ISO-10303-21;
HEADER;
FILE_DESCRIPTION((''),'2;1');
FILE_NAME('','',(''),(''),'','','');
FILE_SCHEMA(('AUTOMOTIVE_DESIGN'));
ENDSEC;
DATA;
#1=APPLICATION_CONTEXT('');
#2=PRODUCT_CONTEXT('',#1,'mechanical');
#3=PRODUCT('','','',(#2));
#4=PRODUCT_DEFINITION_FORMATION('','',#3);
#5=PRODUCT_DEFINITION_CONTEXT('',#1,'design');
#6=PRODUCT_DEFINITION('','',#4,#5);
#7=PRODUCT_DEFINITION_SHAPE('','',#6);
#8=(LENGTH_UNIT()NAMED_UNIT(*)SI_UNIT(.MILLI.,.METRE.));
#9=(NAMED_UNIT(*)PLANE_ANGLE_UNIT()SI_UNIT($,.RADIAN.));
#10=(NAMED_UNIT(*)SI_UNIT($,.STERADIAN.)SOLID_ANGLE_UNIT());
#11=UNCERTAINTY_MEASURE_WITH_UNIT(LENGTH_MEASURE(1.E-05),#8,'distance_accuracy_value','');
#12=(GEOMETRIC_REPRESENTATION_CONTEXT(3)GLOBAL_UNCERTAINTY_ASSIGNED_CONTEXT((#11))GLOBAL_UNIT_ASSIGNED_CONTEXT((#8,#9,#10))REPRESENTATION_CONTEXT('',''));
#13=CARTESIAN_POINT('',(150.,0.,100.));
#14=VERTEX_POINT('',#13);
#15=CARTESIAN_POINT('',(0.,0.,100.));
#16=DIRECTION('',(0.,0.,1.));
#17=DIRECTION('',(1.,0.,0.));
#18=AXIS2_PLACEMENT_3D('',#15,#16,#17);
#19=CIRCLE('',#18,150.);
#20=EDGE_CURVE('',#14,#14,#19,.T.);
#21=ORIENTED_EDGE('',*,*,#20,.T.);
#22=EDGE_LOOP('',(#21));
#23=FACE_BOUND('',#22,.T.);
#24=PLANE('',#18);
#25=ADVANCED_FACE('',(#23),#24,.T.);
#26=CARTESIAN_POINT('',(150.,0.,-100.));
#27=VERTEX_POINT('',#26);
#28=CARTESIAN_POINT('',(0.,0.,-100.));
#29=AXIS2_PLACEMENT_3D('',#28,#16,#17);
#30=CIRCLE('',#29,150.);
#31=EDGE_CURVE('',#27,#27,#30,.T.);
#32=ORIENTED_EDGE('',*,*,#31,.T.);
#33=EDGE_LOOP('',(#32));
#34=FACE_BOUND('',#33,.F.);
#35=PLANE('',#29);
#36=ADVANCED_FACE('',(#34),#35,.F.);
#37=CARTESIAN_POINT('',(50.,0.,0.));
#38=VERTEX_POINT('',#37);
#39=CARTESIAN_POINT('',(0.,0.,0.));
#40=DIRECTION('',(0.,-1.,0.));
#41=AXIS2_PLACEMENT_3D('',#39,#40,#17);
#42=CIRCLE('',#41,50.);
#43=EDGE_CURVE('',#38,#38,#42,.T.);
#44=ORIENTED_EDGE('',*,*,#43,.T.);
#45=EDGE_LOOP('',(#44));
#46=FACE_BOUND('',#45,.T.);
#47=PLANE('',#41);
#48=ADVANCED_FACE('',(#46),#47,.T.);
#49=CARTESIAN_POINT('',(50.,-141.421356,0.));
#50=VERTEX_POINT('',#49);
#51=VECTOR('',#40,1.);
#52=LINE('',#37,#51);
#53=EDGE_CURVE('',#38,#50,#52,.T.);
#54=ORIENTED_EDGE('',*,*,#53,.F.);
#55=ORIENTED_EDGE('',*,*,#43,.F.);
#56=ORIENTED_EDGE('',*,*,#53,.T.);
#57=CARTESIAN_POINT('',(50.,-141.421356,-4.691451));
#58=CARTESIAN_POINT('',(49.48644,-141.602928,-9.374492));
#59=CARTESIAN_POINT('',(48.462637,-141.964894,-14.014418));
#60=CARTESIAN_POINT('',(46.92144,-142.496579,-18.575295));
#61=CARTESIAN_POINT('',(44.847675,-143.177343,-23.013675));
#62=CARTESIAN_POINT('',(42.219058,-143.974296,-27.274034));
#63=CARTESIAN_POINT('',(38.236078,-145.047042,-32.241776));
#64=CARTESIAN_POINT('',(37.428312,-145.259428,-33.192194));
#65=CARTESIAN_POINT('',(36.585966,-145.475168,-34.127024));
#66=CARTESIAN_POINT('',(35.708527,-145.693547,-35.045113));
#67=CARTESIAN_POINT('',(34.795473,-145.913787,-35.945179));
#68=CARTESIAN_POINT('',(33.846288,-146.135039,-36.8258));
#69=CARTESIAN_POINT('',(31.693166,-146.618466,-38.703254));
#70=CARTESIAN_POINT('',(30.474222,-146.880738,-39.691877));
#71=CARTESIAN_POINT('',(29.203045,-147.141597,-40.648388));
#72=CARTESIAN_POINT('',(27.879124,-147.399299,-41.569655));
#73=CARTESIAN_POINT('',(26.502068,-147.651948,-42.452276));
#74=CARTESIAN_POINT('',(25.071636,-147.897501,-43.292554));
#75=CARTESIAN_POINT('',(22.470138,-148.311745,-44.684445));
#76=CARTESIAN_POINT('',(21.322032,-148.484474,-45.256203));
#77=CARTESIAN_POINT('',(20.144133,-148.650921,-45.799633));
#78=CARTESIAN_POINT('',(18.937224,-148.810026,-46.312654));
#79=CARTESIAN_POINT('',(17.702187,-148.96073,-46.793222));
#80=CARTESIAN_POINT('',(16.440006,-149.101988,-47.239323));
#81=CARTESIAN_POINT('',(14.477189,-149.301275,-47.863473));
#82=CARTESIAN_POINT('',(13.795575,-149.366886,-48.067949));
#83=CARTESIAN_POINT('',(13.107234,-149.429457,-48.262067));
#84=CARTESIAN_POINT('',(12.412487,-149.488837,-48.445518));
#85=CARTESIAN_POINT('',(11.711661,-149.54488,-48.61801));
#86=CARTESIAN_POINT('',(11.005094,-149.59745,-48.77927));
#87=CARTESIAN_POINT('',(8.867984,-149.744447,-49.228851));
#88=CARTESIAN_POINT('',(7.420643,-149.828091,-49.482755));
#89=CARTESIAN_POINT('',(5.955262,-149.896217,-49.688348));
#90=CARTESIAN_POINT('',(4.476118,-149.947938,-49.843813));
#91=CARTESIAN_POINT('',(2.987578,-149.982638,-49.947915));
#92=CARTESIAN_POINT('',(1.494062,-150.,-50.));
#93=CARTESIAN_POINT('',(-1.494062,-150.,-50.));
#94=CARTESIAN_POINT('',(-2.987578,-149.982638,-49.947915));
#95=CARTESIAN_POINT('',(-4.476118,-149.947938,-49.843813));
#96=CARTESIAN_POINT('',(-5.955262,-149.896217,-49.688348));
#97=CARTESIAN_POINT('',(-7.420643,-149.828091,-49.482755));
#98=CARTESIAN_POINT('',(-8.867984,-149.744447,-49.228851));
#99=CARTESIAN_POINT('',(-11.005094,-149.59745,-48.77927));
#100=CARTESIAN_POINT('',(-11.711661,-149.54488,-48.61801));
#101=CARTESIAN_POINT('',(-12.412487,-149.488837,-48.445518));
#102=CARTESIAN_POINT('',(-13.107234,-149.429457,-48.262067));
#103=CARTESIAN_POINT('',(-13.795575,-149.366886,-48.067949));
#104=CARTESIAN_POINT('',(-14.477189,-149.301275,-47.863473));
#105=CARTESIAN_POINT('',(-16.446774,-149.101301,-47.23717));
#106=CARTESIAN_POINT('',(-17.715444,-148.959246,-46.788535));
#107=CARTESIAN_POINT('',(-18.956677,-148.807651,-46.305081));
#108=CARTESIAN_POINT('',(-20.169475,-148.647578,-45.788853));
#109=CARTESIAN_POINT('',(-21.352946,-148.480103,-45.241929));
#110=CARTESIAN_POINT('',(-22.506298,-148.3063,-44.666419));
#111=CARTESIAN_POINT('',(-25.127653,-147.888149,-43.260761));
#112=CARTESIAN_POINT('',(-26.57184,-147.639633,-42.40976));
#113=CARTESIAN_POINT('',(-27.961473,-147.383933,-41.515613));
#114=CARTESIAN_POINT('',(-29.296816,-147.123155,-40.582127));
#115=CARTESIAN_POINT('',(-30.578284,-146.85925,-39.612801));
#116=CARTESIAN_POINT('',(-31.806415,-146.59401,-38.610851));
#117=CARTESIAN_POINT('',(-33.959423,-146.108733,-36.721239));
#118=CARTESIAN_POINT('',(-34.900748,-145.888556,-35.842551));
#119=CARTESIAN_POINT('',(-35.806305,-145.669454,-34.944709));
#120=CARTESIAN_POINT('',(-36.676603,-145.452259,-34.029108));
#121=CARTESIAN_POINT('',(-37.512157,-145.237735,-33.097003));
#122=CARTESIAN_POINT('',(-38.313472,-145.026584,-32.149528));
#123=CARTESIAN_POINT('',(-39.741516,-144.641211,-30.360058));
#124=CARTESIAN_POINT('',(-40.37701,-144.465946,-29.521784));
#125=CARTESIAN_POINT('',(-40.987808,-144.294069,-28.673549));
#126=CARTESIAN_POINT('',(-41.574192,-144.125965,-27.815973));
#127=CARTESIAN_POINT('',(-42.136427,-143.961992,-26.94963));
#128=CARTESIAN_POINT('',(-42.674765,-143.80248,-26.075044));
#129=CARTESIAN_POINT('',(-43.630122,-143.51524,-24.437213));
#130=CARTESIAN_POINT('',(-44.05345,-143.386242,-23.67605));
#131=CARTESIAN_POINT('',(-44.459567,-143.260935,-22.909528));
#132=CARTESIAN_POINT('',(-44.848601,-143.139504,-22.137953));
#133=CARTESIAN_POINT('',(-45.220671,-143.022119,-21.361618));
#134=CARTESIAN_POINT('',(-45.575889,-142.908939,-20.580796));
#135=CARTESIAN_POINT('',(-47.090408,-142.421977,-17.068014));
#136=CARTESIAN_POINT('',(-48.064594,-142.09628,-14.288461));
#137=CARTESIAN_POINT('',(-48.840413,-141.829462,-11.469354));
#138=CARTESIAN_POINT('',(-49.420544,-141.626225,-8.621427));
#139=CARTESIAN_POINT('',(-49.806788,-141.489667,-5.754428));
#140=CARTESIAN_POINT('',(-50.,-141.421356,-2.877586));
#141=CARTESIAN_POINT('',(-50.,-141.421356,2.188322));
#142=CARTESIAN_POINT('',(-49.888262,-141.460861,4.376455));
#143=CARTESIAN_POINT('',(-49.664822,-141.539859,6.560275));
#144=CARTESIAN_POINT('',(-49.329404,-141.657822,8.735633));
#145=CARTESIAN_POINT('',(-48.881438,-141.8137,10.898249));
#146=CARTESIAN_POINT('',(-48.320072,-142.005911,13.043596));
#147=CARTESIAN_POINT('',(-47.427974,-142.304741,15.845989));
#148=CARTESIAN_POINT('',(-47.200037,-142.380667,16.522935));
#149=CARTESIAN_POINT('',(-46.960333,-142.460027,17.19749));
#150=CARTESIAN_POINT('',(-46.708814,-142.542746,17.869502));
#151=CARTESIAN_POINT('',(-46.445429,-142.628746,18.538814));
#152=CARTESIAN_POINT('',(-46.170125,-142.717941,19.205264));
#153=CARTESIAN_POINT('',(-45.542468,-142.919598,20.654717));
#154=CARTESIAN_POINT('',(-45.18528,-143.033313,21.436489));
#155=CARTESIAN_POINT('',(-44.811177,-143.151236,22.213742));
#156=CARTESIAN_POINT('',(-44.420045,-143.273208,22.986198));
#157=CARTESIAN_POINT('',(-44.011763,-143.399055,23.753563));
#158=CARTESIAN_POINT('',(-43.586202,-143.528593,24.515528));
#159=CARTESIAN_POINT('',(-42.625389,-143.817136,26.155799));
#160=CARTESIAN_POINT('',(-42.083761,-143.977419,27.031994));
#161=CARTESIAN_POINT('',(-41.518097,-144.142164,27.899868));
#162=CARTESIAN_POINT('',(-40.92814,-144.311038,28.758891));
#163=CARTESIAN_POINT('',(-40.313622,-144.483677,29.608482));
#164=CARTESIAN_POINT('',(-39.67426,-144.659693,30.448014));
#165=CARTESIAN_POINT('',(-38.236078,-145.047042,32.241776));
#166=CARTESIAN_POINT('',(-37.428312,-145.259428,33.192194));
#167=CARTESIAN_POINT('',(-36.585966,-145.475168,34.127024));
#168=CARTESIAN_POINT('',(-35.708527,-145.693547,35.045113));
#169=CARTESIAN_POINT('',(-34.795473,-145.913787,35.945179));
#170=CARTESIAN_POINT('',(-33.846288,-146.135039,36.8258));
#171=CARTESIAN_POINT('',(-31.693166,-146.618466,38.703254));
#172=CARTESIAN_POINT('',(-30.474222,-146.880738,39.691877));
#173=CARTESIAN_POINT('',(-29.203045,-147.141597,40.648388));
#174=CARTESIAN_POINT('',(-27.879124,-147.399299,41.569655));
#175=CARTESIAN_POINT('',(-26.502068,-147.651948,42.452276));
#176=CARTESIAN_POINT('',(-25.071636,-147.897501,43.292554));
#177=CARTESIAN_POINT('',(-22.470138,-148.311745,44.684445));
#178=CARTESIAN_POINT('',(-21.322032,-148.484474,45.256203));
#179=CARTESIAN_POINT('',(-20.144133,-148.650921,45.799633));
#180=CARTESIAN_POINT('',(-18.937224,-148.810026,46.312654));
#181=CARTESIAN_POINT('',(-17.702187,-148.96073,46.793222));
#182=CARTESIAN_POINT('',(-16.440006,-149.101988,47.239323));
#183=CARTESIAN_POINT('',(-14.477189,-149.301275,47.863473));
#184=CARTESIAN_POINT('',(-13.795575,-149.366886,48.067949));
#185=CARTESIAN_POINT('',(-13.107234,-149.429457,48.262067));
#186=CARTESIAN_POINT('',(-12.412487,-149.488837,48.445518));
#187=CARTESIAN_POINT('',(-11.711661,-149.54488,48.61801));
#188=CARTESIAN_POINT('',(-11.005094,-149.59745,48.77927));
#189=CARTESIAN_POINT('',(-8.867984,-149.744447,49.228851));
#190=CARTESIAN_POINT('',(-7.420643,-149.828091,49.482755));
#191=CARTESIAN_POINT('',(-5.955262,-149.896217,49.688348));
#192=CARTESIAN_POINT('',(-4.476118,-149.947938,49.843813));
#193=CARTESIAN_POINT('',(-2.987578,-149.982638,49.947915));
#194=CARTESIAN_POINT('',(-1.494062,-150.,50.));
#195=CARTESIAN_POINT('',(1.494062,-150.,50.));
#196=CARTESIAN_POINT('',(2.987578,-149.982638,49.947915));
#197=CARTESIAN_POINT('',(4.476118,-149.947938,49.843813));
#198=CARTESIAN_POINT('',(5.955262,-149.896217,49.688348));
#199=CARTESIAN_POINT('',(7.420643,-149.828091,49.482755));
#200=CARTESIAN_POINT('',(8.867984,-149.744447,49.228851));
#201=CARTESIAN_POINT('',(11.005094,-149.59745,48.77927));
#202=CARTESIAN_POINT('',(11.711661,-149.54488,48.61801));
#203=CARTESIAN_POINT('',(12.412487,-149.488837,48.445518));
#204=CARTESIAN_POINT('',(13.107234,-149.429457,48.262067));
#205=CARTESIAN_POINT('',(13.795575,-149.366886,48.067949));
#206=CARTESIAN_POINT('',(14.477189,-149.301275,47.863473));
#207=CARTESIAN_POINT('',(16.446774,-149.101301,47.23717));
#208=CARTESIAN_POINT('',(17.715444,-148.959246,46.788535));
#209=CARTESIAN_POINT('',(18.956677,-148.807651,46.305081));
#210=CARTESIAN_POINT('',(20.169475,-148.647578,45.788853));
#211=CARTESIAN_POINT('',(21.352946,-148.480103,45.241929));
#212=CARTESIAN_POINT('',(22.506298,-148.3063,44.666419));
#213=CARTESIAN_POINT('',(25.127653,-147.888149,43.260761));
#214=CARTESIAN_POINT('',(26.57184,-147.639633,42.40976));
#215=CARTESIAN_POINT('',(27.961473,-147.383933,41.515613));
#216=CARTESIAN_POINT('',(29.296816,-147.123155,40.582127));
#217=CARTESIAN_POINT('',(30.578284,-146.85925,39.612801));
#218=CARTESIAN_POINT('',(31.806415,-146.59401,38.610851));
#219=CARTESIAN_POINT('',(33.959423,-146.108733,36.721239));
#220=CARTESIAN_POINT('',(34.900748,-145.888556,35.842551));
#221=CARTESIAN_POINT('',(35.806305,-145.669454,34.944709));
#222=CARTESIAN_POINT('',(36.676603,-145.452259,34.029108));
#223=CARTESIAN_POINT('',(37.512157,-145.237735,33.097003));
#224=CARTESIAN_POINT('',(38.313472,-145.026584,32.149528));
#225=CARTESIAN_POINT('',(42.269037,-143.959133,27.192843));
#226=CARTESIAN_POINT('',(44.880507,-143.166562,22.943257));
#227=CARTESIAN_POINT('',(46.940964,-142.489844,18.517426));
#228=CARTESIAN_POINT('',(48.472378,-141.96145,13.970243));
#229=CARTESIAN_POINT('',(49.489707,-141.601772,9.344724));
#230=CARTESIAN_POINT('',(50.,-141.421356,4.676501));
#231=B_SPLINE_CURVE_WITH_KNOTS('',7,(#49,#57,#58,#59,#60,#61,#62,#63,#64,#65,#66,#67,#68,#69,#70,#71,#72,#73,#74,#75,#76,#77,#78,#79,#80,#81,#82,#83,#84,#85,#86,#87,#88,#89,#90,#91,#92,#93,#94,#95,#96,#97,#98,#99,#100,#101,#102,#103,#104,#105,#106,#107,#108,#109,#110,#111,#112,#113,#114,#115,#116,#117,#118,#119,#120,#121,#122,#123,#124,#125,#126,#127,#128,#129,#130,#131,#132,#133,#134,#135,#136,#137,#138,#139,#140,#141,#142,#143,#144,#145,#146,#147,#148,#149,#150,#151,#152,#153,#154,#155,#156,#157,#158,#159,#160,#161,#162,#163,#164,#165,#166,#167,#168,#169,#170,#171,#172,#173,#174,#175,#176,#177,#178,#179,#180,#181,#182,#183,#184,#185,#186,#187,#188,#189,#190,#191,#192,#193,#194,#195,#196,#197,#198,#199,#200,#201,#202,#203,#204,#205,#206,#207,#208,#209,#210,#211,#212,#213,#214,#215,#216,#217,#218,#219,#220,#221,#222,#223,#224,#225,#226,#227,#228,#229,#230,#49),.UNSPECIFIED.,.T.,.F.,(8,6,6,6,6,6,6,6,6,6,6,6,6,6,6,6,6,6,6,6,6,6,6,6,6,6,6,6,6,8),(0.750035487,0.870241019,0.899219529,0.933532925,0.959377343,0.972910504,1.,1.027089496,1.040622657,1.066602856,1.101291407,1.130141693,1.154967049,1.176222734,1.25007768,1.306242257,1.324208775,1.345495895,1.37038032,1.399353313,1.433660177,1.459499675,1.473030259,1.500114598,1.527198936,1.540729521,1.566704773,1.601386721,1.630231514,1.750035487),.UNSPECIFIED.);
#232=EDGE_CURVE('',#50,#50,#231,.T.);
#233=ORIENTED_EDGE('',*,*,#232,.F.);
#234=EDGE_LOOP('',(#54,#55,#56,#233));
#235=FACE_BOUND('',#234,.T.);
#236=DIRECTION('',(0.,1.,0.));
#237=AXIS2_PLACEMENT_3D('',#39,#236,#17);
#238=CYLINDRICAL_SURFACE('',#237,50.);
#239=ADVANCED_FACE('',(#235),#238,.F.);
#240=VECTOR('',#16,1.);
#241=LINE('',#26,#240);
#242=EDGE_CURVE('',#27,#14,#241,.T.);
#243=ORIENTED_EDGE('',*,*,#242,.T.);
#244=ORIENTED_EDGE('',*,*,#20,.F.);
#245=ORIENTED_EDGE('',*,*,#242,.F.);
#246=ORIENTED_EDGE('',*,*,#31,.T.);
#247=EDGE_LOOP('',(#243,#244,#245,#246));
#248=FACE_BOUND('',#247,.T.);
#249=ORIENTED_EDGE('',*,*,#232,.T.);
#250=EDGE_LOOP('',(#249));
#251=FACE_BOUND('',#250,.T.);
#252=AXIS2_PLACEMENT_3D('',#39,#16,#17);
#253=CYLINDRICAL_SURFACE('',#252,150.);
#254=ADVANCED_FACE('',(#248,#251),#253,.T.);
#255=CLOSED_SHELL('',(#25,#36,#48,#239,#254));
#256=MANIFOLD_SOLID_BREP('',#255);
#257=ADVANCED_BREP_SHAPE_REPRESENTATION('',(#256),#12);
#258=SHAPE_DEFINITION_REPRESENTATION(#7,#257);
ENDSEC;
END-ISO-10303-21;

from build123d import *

# Parameters (mm, degrees)
F0_R     = 150
F1_DEPTH = 100
F2_R     = 50
F3_DEPTH = 150


with BuildPart() as f1:
    # F0 (on Top) → F1 (new body, symmetric)
    with BuildSketch(Plane.XY):
        Circle(F0_R)
    extrude(amount=F1_DEPTH, both=True)

    # F2 (on Front) → F3 (cut, through all)
    with BuildSketch(Plane.XZ):
        Circle(F2_R)
    extrude(amount=F3_DEPTH, mode=Mode.SUBTRACT)


solid = f1.part
